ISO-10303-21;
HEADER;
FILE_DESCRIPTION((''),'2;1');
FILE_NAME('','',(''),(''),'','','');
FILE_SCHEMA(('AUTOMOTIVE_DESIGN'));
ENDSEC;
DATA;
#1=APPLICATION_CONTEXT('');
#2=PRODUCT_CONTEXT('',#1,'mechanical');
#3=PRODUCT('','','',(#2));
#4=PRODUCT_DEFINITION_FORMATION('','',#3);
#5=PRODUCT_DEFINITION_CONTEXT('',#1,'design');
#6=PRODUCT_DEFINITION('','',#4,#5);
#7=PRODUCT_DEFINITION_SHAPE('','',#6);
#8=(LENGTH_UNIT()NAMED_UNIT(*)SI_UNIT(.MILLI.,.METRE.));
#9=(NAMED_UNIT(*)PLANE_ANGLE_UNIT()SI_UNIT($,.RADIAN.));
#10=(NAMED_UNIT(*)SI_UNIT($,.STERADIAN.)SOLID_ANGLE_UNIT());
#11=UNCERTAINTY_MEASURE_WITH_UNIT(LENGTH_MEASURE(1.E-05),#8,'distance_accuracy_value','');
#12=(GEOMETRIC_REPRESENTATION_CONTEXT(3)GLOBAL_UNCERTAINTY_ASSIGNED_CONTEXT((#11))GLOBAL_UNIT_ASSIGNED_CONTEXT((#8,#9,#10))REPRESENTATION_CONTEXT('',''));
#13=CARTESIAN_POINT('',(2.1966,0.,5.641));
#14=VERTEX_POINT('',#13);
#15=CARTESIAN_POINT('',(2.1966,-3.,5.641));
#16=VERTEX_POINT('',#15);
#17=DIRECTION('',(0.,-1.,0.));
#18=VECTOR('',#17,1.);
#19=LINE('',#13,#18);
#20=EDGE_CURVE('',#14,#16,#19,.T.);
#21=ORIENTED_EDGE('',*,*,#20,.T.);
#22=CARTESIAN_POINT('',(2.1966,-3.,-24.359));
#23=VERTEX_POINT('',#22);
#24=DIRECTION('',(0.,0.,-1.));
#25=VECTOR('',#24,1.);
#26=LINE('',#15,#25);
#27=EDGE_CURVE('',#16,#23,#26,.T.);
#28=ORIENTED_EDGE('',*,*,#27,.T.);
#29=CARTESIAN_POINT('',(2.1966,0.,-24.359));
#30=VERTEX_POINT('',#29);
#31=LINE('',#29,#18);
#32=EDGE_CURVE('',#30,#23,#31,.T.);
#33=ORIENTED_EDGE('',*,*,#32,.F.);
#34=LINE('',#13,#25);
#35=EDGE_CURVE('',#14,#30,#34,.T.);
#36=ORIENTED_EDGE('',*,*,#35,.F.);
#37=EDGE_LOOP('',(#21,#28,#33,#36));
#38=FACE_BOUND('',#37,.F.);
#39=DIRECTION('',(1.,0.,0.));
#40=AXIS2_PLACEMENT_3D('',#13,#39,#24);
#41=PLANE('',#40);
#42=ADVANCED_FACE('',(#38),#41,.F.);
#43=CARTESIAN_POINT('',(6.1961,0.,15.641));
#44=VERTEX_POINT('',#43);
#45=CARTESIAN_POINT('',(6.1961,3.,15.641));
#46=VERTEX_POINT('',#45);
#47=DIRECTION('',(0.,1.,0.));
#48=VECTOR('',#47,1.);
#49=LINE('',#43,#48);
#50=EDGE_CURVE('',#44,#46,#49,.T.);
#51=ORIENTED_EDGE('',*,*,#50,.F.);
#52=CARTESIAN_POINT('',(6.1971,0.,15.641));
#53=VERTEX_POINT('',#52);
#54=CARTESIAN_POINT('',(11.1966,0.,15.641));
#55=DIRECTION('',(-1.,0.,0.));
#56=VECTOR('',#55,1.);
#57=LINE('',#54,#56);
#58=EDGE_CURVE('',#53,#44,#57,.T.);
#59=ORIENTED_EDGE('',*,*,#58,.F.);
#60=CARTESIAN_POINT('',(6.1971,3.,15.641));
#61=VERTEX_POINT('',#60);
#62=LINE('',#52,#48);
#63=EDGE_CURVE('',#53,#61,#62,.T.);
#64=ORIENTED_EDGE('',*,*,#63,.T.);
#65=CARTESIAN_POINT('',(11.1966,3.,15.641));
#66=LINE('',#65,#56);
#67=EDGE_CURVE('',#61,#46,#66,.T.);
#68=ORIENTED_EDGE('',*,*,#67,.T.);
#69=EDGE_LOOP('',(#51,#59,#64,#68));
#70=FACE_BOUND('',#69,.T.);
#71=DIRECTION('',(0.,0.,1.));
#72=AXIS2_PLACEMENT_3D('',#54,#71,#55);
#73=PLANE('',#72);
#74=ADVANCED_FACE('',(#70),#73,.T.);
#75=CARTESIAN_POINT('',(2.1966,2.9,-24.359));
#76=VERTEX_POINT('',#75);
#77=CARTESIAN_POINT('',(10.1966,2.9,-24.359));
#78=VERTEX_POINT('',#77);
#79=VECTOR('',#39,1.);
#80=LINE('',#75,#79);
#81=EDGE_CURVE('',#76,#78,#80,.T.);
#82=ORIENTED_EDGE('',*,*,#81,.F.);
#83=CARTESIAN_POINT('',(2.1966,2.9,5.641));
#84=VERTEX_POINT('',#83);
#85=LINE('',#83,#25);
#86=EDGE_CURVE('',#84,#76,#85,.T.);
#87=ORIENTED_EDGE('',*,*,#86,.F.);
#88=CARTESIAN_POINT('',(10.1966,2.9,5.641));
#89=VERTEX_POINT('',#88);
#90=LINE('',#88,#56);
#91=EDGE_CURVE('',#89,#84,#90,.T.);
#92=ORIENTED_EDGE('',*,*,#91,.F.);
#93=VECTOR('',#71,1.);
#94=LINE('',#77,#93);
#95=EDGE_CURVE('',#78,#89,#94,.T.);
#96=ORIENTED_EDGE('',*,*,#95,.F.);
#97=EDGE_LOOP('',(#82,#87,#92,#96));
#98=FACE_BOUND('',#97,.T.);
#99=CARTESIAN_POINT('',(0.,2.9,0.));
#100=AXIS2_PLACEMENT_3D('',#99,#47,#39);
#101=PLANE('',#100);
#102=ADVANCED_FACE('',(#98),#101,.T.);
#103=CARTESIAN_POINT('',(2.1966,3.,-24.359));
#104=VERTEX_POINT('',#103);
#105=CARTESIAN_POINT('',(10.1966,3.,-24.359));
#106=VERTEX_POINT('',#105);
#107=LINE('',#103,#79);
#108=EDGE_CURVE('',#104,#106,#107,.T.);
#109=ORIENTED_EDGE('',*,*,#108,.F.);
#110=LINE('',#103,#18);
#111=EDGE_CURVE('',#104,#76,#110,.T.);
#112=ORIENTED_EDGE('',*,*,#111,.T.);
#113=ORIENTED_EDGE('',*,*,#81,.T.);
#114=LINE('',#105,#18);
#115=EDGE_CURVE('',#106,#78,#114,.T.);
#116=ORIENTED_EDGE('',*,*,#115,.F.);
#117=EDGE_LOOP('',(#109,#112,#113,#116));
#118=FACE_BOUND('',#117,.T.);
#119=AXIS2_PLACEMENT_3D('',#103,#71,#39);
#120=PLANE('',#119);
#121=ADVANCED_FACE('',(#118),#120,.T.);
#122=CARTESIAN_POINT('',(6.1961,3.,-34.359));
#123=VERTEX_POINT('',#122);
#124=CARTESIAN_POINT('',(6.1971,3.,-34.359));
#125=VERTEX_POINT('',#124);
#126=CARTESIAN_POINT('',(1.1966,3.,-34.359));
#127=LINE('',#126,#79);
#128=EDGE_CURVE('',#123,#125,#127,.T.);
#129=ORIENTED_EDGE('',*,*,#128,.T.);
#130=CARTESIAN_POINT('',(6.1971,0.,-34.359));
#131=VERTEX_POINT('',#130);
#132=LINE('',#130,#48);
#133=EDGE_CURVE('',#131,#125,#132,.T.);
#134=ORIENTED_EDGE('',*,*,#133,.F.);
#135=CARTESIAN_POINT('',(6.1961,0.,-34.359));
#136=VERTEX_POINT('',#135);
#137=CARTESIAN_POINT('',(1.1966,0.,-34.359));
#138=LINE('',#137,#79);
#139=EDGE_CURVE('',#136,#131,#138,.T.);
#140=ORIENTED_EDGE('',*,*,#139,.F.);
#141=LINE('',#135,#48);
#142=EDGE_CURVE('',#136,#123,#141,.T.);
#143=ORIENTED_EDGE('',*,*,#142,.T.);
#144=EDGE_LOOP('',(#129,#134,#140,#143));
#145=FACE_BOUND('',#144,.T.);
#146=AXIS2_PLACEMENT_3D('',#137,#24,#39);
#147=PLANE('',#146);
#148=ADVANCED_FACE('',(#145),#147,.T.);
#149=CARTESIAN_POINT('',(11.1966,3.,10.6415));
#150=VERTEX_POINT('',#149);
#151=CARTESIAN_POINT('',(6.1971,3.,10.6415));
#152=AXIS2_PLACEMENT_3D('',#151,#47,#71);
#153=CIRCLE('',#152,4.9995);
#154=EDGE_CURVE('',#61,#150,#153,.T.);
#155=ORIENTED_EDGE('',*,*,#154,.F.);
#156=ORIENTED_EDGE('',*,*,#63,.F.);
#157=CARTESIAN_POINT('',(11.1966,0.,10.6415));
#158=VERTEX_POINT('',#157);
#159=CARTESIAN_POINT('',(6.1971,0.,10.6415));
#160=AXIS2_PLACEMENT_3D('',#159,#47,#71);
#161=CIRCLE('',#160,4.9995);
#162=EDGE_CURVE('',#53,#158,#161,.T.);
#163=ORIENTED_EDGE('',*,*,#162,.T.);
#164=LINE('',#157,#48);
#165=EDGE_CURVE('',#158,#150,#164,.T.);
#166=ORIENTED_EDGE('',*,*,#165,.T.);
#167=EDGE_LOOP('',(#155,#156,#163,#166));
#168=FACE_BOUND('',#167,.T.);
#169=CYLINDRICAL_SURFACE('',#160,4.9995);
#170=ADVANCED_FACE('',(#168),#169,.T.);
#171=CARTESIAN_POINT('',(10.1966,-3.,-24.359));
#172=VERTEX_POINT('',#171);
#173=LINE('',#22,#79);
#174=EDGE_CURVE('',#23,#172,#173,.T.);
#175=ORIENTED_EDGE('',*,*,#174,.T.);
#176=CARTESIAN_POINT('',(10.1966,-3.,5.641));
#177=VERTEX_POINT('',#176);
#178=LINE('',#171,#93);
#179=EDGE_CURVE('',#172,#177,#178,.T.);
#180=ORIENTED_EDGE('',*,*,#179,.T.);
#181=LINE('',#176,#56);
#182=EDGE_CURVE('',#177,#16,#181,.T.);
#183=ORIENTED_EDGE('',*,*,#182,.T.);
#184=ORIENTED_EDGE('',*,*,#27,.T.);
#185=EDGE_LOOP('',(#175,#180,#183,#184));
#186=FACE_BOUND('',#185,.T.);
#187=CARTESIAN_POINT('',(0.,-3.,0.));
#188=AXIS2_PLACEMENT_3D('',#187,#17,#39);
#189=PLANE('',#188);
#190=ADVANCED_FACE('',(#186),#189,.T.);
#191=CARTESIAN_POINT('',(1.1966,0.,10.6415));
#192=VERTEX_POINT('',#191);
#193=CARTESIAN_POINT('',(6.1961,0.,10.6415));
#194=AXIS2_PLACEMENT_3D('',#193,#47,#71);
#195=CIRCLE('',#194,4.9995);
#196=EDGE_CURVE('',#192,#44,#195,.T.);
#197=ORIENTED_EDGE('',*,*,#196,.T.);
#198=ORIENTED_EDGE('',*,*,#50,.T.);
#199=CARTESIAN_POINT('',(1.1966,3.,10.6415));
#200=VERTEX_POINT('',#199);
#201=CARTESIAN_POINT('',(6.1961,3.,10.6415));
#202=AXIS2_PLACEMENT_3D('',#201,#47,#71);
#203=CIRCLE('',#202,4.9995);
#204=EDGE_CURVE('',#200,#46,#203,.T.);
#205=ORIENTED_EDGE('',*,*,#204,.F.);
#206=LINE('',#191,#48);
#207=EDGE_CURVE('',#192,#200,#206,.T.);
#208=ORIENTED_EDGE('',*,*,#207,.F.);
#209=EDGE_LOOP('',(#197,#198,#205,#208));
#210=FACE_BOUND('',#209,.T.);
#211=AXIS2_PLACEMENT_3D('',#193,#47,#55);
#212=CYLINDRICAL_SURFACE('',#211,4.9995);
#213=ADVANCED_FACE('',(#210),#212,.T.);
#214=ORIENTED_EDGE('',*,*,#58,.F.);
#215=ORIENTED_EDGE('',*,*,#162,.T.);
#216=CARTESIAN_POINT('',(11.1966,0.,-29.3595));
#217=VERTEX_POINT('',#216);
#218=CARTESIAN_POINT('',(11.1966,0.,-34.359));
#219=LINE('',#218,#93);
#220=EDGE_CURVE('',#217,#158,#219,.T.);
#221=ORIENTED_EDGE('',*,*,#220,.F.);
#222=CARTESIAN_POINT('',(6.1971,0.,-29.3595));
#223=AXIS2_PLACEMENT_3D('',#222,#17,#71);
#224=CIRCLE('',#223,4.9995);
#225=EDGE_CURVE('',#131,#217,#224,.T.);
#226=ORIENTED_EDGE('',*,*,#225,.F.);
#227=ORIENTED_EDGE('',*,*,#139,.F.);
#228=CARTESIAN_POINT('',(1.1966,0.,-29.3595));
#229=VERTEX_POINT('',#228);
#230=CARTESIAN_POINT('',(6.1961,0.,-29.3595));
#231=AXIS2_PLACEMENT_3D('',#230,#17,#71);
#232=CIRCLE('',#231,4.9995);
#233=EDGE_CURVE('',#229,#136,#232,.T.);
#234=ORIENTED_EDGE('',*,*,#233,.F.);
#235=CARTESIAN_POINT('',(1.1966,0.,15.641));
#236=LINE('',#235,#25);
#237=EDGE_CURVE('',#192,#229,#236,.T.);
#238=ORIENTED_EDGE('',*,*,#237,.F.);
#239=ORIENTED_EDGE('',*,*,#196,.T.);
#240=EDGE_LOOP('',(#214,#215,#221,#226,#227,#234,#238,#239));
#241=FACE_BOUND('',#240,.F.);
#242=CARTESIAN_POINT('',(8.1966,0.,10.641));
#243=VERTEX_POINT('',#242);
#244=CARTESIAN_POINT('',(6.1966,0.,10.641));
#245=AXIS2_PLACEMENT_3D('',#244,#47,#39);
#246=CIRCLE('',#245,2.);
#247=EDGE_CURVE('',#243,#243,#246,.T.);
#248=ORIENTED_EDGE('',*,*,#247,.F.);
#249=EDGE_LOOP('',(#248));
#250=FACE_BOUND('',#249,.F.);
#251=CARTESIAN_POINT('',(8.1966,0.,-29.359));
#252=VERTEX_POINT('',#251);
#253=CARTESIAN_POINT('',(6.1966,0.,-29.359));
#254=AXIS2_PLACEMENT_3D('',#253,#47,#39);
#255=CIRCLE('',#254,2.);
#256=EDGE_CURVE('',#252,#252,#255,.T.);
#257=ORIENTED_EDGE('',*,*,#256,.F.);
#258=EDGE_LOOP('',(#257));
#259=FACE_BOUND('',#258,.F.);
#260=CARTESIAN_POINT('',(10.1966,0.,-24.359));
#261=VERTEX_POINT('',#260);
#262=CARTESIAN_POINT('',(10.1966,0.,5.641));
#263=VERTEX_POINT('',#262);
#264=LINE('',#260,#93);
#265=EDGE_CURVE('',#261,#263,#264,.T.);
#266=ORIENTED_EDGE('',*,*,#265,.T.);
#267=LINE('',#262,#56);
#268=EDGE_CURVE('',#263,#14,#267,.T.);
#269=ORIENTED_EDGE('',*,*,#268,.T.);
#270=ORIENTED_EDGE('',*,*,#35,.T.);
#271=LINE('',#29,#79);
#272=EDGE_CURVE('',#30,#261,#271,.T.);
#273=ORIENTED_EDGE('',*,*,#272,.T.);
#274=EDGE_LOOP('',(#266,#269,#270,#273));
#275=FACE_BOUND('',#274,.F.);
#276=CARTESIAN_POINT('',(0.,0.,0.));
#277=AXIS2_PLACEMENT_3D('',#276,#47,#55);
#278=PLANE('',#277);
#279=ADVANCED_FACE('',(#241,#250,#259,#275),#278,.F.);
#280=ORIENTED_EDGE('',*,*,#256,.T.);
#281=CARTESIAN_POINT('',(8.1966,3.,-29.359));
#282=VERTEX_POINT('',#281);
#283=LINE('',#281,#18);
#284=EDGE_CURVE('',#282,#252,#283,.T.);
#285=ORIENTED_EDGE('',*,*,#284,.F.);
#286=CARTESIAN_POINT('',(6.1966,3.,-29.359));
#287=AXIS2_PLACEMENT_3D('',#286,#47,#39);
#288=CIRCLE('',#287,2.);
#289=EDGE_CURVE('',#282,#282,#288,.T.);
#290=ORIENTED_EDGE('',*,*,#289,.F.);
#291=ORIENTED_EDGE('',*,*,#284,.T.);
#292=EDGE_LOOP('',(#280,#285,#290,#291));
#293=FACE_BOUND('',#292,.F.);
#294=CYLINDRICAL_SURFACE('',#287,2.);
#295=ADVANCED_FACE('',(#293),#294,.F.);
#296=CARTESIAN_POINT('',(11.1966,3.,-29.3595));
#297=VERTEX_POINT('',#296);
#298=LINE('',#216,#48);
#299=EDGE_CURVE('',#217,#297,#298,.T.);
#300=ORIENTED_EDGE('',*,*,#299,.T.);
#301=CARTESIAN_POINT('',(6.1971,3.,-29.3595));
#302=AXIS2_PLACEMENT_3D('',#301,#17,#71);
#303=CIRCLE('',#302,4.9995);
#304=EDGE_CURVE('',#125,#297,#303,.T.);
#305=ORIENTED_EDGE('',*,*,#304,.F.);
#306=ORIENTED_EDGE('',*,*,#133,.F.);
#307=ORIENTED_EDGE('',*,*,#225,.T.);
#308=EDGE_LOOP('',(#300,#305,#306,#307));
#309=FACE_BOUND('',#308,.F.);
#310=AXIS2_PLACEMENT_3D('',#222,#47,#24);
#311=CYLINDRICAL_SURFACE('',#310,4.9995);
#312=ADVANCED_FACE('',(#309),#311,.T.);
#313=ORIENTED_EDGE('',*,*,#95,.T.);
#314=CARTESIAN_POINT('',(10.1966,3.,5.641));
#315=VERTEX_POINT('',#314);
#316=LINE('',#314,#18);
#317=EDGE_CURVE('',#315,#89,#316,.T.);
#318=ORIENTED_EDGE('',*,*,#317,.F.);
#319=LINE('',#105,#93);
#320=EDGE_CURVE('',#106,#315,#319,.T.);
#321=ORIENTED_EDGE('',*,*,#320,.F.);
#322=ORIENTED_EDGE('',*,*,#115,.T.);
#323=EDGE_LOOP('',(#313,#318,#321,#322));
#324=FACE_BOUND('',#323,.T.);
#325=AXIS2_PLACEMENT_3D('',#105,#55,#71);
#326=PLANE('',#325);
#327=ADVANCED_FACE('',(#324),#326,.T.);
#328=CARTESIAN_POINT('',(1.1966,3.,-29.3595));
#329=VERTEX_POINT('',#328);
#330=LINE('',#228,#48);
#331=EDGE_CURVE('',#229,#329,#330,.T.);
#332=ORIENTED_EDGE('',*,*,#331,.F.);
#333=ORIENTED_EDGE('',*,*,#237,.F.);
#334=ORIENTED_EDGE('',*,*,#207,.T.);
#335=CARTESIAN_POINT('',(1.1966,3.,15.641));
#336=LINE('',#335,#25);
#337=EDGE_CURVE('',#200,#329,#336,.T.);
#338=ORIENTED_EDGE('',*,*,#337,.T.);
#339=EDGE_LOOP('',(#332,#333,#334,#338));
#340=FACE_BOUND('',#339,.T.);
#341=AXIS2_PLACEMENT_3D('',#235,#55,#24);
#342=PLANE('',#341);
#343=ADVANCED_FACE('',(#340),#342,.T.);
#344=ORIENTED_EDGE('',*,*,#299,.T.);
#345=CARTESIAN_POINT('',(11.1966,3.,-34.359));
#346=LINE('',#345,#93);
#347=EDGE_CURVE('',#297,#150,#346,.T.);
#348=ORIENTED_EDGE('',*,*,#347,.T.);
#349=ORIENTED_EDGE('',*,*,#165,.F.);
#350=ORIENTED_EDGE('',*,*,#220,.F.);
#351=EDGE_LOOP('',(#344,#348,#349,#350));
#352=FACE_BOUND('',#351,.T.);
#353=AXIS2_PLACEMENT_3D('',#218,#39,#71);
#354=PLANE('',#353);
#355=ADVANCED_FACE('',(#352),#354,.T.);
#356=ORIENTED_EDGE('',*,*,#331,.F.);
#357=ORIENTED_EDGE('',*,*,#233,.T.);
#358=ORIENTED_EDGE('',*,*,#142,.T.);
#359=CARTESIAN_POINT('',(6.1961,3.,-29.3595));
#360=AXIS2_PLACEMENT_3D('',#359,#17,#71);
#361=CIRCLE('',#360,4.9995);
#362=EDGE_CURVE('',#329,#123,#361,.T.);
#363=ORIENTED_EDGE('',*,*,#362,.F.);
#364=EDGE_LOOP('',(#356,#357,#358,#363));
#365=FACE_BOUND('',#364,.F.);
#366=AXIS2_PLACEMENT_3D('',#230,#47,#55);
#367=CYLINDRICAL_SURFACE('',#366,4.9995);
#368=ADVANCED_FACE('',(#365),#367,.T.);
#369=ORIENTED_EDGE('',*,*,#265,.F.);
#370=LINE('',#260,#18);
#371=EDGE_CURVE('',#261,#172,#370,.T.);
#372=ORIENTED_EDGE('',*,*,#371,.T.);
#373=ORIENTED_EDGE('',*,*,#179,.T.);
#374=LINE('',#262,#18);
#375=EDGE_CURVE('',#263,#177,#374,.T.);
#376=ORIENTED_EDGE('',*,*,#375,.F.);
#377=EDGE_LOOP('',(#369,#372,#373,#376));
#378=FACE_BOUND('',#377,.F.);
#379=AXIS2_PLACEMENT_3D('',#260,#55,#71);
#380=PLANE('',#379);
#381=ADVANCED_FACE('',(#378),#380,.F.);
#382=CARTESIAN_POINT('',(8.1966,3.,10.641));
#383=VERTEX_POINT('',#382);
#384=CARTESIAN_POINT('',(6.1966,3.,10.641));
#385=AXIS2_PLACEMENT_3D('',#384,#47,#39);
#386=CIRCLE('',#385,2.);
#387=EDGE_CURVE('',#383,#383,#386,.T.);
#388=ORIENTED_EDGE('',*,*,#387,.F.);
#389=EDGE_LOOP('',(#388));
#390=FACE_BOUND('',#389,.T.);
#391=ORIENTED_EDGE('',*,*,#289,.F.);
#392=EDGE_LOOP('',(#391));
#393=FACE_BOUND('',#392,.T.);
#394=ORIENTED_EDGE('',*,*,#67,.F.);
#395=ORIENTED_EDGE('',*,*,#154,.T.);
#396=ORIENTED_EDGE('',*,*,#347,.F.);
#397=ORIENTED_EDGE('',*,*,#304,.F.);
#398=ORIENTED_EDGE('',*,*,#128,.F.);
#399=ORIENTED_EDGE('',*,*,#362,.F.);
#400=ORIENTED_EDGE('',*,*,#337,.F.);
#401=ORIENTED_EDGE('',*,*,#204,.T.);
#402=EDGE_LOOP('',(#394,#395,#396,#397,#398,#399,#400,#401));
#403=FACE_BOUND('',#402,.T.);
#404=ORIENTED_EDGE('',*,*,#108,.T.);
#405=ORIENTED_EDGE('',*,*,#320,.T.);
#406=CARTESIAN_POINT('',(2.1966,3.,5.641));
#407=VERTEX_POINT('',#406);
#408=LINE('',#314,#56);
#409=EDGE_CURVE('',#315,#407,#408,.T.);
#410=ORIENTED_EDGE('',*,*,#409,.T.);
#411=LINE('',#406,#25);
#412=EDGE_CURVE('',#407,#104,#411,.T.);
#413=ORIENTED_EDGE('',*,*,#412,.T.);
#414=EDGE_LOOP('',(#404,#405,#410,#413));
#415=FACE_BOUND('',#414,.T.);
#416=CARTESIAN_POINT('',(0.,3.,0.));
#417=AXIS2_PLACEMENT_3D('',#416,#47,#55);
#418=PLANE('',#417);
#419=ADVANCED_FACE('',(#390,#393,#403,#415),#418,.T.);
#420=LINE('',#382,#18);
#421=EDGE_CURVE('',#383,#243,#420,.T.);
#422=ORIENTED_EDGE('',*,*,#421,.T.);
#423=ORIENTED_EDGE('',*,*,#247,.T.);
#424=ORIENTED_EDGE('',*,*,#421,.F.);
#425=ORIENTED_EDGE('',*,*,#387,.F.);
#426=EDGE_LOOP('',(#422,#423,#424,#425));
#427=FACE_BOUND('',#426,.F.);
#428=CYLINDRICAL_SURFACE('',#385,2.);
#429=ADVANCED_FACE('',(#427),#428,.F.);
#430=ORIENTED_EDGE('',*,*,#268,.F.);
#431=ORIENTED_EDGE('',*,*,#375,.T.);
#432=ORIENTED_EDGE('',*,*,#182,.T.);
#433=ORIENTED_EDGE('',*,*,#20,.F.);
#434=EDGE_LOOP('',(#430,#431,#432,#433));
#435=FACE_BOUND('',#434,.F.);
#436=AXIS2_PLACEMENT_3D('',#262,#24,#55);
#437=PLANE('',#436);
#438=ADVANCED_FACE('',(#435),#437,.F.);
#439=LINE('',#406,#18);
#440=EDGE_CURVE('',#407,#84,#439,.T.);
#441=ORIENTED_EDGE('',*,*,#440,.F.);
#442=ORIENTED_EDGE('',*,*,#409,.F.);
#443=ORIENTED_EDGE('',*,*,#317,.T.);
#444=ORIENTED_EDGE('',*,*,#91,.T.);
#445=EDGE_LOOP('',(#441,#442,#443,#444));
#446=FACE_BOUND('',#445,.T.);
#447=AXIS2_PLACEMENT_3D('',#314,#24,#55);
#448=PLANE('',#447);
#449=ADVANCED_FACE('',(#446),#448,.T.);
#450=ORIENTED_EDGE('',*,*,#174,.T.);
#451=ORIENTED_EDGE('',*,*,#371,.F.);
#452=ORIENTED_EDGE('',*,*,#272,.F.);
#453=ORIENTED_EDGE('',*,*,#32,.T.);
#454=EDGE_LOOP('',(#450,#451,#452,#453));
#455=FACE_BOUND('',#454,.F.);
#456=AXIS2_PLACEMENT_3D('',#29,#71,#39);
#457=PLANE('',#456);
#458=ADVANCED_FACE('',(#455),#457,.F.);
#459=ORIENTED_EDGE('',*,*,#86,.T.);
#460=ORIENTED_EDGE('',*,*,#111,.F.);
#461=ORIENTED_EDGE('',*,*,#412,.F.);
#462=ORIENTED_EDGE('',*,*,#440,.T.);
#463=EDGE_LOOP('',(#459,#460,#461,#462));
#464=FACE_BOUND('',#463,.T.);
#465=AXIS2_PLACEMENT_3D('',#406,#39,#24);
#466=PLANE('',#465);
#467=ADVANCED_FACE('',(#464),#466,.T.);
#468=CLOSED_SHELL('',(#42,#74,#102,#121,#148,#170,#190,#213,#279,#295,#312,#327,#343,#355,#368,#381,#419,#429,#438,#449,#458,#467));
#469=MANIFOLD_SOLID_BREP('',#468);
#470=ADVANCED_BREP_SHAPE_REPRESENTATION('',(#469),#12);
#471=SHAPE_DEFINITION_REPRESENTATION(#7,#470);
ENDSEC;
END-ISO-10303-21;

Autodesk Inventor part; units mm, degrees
ref_plane "YZ Plane" through (0, 0, 0) normal (1, 0, 0) x (0, 1, 0)
ref_plane "XZ Plane" through (0, 0, 0) normal (0, 1, 0) x (-1, 0, 0)
ref_plane "XY Plane" through (0, 0, 0) normal (0, 0, 1) x (1, 0, 0)
sketch "Эскиз1" plane through (0, 0, 0) normal (0, 1, 0) x (-1, 0, 0)
  line L0 (-11.1966, 15.641) -> (-1.1966, 15.641)
  line L1 (-1.1966, 15.641) -> (-1.1966, -34.359)
  line L2 (-1.1966, -34.359) -> (-11.1966, -34.359)
  line L3 (-11.1966, -34.359) -> (-11.1966, 15.641)
  point P0 (0, 0)
  dimension "d0" = 50
  dimension "d1" = 10
extrude "Выдавливание1" add sketch "Эскиз1" along normal blind 3
fillet "Сопряжение1" radius 5 2 edges at (11.1966, 1.5, -34.359) (1.1966, 1.5, -34.359)
fillet "Сопряжение2" radius 5 2 edges at (11.1966, 1.5, 15.641) (1.1966, 1.5, 15.641)
sketch "Эскиз2" plane through (0, 3, 0) normal (0, 1, 0) x (1, 0, 0)
  line L0 (2.1966, 24.359) -> (10.1966, 24.359)
  line L1 (10.1966, 24.359) -> (10.1966, -5.641)
  line L2 (10.1966, -5.641) -> (2.1966, -5.641)
  line L3 (2.1966, -5.641) -> (2.1966, 24.359)
  arc A0 (11.1966, 29.359) -> (1.1966, 29.359) centre (6.1966, 29.359) ccw projected
  arc A1 (1.1966, -10.641) -> (11.1966, -10.641) centre (6.1966, -10.641) ccw projected
  line L4 (11.1966, -10.641) -> (11.1966, 29.359) projected
  line L5 (1.1966, 29.359) -> (1.1966, -10.641) projected
  point P0 (0, 0)
  point P1 (6.1966, 34.359)
  point P2 (6.1966, 24.359)
  point P3 (6.1966, -15.641)
  point P4 (6.1966, -5.641)
  dimension "d6" = 10
  dimension "d7" = 10
  dimension "d8" = 1
  dimension "d9" = 1
extrude "Выдавливание2" cut sketch "Эскиз2" against normal blind 0.1 contours L0 L1 L2 L3
sketch "Эскиз3" plane through (0, 3, 0) normal (0, 1, 0) x (1, 0, 0)
  circle A0 centre (23.3894, 111.2567) radius 1
  circle A1 centre (6.1966, 29.359) radius 2
  arc A2 (11.1966, 29.359) -> (1.1966, 29.359) centre (6.1966, 29.359) ccw projected
  circle A3 centre (6.1966, -10.641) radius 2
  arc A4 (1.1966, -10.641) -> (11.1966, -10.641) centre (6.1966, -10.641) ccw projected
  point P0 (0, 0)
  point P1 (6.1966, 34.359)
  point P2 (6.1966, -15.641)
  dimension "d12" = 2
  dimension "d13" = 4
  dimension "d14" = 5
  dimension "d15" = 4
extrude "Выдавливание3" cut sketch "Эскиз3" against normal blind 10 contours A1 | A3
sketch "Эскиз4" plane through (0, 0, 0) normal (0, -1, 0) x (1, 0, 0)
  line L0 (10.1966, 5.641) -> (2.1966, 5.641) projected
  line L1 (2.1966, 5.641) -> (2.1966, -24.359) projected
  line L2 (10.1966, 5.641) -> (2.1966, 5.641)
  line L3 (2.1966, 5.641) -> (2.1966, -24.359)
  line L4 (2.1966, -24.359) -> (10.1966, -24.359)
  line L5 (10.1966, -24.359) -> (10.1966, 5.641)
  point P0 (0, 0)
extrude "Выдавливание4" add sketch "Эскиз4" along normal blind 3
properties part number "магнит 2" material "Сталь"
